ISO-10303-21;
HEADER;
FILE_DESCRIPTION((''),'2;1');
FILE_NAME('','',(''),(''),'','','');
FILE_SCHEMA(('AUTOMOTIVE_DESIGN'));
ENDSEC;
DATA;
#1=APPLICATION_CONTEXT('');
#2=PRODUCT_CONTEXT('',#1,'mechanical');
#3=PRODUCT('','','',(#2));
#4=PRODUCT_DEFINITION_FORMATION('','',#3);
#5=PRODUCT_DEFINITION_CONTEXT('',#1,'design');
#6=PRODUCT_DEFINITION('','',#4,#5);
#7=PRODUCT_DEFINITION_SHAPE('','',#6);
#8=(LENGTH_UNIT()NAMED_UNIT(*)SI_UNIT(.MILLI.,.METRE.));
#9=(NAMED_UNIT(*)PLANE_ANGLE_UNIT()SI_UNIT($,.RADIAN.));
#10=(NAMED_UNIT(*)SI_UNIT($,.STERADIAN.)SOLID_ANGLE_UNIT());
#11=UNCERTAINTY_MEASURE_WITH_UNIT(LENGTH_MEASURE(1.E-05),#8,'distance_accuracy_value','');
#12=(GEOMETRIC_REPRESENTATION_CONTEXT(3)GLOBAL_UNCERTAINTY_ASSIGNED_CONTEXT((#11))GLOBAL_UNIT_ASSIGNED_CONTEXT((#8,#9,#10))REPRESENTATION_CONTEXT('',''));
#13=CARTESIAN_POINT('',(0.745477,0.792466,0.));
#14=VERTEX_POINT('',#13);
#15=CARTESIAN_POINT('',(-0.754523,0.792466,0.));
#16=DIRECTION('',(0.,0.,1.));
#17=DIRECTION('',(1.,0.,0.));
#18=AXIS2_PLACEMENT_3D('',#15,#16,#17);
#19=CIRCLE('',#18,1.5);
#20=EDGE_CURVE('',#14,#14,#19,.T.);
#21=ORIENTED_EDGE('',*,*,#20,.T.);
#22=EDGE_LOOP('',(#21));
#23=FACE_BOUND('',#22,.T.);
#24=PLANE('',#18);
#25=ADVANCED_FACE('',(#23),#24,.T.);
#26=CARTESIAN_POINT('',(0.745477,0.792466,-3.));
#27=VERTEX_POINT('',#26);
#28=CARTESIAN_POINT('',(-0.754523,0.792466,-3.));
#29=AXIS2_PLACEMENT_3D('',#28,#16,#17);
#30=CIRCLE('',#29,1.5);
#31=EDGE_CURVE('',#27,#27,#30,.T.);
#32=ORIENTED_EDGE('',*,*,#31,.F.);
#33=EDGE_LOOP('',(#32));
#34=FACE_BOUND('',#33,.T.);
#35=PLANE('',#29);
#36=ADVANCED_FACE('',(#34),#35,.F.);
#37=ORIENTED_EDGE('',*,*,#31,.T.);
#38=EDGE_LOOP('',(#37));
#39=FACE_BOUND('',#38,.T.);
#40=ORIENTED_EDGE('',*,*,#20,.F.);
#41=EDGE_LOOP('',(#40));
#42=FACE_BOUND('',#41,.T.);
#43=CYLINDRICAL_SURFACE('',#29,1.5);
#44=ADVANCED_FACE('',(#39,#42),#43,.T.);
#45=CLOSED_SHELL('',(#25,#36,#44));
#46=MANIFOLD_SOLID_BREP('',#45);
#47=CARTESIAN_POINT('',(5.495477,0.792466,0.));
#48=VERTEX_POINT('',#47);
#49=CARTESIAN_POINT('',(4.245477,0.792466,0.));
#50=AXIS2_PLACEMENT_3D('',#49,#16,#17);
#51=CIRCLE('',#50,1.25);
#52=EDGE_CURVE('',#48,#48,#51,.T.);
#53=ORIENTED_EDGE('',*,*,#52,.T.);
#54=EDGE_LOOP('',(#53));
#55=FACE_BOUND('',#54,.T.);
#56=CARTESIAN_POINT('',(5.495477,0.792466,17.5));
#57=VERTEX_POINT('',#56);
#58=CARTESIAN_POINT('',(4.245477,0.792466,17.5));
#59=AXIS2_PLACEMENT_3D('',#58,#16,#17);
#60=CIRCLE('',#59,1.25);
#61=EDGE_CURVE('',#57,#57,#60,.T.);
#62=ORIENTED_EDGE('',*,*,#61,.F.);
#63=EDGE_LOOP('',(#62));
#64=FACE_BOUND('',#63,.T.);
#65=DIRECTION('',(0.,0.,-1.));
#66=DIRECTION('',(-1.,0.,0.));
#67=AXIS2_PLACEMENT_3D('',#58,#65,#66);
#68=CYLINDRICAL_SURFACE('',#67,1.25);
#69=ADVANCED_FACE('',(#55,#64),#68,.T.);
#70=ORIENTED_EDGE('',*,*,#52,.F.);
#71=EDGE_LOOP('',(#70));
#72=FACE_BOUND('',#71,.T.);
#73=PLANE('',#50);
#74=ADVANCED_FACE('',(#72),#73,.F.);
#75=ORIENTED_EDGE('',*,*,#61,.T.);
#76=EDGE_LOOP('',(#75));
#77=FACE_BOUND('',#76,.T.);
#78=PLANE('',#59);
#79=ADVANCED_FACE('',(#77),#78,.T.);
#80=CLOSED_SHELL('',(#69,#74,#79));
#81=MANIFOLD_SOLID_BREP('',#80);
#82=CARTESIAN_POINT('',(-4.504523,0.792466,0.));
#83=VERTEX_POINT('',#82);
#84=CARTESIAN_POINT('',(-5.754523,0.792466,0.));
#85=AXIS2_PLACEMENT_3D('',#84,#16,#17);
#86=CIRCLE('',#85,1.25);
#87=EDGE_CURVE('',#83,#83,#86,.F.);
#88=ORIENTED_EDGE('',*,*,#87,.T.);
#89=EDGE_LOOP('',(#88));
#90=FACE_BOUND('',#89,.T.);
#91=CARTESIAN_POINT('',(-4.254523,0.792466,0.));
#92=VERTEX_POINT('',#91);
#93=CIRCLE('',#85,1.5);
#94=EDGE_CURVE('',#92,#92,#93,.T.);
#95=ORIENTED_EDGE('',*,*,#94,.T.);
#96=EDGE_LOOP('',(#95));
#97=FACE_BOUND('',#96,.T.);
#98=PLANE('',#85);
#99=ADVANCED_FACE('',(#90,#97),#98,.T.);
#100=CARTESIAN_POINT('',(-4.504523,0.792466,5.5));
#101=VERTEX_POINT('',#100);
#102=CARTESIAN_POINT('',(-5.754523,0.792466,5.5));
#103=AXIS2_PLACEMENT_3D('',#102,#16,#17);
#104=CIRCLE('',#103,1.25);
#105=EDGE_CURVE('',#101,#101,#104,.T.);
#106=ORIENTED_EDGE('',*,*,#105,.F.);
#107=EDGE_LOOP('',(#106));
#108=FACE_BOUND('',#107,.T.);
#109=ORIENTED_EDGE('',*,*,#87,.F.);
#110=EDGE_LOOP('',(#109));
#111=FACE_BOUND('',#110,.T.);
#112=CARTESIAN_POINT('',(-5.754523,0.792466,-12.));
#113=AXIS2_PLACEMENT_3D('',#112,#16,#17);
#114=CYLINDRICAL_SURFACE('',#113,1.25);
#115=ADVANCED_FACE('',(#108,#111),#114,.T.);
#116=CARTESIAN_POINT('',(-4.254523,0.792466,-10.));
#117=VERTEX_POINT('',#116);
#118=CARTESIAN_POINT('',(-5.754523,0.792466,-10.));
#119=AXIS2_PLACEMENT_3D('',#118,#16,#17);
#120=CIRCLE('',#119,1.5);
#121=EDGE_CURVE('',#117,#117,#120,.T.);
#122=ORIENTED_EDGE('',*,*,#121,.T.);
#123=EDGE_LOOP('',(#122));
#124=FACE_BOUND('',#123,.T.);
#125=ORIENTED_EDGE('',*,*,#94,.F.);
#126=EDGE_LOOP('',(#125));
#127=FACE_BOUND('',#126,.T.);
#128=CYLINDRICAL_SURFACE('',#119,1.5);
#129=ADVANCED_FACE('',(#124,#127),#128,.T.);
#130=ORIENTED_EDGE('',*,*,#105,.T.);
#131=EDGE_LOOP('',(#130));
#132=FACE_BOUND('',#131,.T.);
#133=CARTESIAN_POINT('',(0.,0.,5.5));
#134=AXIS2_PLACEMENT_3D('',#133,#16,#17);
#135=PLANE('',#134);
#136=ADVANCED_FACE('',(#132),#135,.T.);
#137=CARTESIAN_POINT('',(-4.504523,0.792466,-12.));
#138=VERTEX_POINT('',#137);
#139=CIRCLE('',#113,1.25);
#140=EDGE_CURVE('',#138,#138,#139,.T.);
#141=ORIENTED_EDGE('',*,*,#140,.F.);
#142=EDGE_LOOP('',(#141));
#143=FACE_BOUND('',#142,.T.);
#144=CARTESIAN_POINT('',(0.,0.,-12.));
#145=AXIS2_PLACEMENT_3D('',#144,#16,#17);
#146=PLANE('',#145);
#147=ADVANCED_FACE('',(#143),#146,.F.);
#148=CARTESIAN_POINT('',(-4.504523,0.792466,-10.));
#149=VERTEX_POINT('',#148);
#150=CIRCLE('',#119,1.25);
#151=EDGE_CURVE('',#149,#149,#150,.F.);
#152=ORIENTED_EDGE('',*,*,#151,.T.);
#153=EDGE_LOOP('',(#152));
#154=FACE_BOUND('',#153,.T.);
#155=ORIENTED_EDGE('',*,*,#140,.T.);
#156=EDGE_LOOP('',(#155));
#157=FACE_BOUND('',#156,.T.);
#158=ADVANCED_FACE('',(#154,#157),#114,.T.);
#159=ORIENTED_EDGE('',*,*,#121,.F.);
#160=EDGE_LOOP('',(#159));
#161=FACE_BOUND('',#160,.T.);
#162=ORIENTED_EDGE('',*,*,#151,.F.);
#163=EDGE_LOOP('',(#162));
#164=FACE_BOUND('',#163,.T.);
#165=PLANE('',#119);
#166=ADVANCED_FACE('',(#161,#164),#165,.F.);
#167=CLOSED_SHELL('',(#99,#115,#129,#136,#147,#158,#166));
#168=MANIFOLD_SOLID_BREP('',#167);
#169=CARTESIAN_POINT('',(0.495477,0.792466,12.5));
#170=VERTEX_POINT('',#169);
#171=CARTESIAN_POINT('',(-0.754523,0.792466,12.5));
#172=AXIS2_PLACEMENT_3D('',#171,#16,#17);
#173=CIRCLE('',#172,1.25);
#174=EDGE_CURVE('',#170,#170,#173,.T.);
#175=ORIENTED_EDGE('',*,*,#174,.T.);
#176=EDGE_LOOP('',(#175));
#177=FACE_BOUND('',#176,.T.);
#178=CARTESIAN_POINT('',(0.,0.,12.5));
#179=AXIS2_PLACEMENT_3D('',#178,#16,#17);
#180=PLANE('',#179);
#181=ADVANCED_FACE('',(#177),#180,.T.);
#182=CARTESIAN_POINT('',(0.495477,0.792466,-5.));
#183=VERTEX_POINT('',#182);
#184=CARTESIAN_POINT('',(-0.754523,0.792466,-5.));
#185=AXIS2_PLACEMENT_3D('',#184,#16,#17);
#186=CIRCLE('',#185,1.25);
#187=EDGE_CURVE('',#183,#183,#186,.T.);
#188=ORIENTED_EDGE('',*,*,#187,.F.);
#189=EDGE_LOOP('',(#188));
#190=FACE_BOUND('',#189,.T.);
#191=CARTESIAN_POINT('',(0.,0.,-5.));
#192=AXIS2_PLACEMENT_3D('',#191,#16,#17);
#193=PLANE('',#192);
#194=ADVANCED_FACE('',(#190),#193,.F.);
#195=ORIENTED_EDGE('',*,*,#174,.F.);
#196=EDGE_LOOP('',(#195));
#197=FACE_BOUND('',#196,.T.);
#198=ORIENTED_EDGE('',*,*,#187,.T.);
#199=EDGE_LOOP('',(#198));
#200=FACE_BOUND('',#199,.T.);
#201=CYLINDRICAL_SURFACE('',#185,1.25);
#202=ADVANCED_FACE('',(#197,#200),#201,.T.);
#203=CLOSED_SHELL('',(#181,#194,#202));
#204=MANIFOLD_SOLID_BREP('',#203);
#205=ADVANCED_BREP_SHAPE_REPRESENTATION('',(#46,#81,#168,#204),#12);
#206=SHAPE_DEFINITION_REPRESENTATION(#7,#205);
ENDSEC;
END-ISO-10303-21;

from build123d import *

# Parameters (mm, degrees)
RESSALTO_EXTRUS_O1_DEPTH      = 5.5
RESSALTO_EXTRUS_O1_DEPTH_BACK = 12
ESBO_O1_R                     = 1.25
RESSALTO_EXTRUS_O2_DEPTH      = 12.5
RESSALTO_EXTRUS_O2_DEPTH_BACK = 5
ESBO_O1_4_R                   = 1.25
ESBO_O2_R                     = 1.25
RESSALTO_EXTRUS_O3_DEPTH      = 17.5
ESBO_O6_R                     = 1.5
RESSALTO_EXTRUS_O4_DEPTH      = 10
ESBO_O7_R                     = 1.5
RESSALTO_EXTRUS_O5_DEPTH      = 3


with BuildPart() as part:
    # Esboço1 → Ressalto-extrusão1 (new, two sides: drawn at the far end of the back side and taken through both)
    with BuildSketch(Plane.XY.offset(-RESSALTO_EXTRUS_O1_DEPTH_BACK)):
        with Locations((-5.75452307, 0.792466101)):
            Circle(ESBO_O1_R)
    extrude(amount=RESSALTO_EXTRUS_O1_DEPTH + RESSALTO_EXTRUS_O1_DEPTH_BACK)

    # Esboço6 → Ressalto-extrusão4 (add)
    with BuildSketch(Plane.XY):
        with Locations((-5.75452307, 0.792466101)):
            Circle(ESBO_O6_R)
    extrude(amount=-RESSALTO_EXTRUS_O4_DEPTH)


with BuildPart() as body_2:
    # Esboço1<4> → Ressalto-extrusão2 (new, two sides: drawn at the far end of the back side and taken through both)
    with BuildSketch(Plane.XY.offset(-RESSALTO_EXTRUS_O2_DEPTH_BACK)):
        with Locations((-0.75452307, 0.792466101)):
            Circle(ESBO_O1_4_R)
    extrude(amount=RESSALTO_EXTRUS_O2_DEPTH + RESSALTO_EXTRUS_O2_DEPTH_BACK)


with BuildPart() as body_3:
    # Esboço2 → Ressalto-extrusão3 (new body)
    with BuildSketch(Plane.XY):
        with Locations((4.24547693, 0.792466101)):
            Circle(ESBO_O2_R)
    extrude(amount=RESSALTO_EXTRUS_O3_DEPTH)


with BuildPart() as body_4:
    # Esboço7 → Ressalto-extrusão5 (new body)
    with BuildSketch(Plane.XY):
        with Locations((-0.75452307, 0.792466101)):
            Circle(ESBO_O7_R)
    extrude(amount=-RESSALTO_EXTRUS_O5_DEPTH)


solid = Compound([part.part, body_2.part, body_3.part, body_4.part])
